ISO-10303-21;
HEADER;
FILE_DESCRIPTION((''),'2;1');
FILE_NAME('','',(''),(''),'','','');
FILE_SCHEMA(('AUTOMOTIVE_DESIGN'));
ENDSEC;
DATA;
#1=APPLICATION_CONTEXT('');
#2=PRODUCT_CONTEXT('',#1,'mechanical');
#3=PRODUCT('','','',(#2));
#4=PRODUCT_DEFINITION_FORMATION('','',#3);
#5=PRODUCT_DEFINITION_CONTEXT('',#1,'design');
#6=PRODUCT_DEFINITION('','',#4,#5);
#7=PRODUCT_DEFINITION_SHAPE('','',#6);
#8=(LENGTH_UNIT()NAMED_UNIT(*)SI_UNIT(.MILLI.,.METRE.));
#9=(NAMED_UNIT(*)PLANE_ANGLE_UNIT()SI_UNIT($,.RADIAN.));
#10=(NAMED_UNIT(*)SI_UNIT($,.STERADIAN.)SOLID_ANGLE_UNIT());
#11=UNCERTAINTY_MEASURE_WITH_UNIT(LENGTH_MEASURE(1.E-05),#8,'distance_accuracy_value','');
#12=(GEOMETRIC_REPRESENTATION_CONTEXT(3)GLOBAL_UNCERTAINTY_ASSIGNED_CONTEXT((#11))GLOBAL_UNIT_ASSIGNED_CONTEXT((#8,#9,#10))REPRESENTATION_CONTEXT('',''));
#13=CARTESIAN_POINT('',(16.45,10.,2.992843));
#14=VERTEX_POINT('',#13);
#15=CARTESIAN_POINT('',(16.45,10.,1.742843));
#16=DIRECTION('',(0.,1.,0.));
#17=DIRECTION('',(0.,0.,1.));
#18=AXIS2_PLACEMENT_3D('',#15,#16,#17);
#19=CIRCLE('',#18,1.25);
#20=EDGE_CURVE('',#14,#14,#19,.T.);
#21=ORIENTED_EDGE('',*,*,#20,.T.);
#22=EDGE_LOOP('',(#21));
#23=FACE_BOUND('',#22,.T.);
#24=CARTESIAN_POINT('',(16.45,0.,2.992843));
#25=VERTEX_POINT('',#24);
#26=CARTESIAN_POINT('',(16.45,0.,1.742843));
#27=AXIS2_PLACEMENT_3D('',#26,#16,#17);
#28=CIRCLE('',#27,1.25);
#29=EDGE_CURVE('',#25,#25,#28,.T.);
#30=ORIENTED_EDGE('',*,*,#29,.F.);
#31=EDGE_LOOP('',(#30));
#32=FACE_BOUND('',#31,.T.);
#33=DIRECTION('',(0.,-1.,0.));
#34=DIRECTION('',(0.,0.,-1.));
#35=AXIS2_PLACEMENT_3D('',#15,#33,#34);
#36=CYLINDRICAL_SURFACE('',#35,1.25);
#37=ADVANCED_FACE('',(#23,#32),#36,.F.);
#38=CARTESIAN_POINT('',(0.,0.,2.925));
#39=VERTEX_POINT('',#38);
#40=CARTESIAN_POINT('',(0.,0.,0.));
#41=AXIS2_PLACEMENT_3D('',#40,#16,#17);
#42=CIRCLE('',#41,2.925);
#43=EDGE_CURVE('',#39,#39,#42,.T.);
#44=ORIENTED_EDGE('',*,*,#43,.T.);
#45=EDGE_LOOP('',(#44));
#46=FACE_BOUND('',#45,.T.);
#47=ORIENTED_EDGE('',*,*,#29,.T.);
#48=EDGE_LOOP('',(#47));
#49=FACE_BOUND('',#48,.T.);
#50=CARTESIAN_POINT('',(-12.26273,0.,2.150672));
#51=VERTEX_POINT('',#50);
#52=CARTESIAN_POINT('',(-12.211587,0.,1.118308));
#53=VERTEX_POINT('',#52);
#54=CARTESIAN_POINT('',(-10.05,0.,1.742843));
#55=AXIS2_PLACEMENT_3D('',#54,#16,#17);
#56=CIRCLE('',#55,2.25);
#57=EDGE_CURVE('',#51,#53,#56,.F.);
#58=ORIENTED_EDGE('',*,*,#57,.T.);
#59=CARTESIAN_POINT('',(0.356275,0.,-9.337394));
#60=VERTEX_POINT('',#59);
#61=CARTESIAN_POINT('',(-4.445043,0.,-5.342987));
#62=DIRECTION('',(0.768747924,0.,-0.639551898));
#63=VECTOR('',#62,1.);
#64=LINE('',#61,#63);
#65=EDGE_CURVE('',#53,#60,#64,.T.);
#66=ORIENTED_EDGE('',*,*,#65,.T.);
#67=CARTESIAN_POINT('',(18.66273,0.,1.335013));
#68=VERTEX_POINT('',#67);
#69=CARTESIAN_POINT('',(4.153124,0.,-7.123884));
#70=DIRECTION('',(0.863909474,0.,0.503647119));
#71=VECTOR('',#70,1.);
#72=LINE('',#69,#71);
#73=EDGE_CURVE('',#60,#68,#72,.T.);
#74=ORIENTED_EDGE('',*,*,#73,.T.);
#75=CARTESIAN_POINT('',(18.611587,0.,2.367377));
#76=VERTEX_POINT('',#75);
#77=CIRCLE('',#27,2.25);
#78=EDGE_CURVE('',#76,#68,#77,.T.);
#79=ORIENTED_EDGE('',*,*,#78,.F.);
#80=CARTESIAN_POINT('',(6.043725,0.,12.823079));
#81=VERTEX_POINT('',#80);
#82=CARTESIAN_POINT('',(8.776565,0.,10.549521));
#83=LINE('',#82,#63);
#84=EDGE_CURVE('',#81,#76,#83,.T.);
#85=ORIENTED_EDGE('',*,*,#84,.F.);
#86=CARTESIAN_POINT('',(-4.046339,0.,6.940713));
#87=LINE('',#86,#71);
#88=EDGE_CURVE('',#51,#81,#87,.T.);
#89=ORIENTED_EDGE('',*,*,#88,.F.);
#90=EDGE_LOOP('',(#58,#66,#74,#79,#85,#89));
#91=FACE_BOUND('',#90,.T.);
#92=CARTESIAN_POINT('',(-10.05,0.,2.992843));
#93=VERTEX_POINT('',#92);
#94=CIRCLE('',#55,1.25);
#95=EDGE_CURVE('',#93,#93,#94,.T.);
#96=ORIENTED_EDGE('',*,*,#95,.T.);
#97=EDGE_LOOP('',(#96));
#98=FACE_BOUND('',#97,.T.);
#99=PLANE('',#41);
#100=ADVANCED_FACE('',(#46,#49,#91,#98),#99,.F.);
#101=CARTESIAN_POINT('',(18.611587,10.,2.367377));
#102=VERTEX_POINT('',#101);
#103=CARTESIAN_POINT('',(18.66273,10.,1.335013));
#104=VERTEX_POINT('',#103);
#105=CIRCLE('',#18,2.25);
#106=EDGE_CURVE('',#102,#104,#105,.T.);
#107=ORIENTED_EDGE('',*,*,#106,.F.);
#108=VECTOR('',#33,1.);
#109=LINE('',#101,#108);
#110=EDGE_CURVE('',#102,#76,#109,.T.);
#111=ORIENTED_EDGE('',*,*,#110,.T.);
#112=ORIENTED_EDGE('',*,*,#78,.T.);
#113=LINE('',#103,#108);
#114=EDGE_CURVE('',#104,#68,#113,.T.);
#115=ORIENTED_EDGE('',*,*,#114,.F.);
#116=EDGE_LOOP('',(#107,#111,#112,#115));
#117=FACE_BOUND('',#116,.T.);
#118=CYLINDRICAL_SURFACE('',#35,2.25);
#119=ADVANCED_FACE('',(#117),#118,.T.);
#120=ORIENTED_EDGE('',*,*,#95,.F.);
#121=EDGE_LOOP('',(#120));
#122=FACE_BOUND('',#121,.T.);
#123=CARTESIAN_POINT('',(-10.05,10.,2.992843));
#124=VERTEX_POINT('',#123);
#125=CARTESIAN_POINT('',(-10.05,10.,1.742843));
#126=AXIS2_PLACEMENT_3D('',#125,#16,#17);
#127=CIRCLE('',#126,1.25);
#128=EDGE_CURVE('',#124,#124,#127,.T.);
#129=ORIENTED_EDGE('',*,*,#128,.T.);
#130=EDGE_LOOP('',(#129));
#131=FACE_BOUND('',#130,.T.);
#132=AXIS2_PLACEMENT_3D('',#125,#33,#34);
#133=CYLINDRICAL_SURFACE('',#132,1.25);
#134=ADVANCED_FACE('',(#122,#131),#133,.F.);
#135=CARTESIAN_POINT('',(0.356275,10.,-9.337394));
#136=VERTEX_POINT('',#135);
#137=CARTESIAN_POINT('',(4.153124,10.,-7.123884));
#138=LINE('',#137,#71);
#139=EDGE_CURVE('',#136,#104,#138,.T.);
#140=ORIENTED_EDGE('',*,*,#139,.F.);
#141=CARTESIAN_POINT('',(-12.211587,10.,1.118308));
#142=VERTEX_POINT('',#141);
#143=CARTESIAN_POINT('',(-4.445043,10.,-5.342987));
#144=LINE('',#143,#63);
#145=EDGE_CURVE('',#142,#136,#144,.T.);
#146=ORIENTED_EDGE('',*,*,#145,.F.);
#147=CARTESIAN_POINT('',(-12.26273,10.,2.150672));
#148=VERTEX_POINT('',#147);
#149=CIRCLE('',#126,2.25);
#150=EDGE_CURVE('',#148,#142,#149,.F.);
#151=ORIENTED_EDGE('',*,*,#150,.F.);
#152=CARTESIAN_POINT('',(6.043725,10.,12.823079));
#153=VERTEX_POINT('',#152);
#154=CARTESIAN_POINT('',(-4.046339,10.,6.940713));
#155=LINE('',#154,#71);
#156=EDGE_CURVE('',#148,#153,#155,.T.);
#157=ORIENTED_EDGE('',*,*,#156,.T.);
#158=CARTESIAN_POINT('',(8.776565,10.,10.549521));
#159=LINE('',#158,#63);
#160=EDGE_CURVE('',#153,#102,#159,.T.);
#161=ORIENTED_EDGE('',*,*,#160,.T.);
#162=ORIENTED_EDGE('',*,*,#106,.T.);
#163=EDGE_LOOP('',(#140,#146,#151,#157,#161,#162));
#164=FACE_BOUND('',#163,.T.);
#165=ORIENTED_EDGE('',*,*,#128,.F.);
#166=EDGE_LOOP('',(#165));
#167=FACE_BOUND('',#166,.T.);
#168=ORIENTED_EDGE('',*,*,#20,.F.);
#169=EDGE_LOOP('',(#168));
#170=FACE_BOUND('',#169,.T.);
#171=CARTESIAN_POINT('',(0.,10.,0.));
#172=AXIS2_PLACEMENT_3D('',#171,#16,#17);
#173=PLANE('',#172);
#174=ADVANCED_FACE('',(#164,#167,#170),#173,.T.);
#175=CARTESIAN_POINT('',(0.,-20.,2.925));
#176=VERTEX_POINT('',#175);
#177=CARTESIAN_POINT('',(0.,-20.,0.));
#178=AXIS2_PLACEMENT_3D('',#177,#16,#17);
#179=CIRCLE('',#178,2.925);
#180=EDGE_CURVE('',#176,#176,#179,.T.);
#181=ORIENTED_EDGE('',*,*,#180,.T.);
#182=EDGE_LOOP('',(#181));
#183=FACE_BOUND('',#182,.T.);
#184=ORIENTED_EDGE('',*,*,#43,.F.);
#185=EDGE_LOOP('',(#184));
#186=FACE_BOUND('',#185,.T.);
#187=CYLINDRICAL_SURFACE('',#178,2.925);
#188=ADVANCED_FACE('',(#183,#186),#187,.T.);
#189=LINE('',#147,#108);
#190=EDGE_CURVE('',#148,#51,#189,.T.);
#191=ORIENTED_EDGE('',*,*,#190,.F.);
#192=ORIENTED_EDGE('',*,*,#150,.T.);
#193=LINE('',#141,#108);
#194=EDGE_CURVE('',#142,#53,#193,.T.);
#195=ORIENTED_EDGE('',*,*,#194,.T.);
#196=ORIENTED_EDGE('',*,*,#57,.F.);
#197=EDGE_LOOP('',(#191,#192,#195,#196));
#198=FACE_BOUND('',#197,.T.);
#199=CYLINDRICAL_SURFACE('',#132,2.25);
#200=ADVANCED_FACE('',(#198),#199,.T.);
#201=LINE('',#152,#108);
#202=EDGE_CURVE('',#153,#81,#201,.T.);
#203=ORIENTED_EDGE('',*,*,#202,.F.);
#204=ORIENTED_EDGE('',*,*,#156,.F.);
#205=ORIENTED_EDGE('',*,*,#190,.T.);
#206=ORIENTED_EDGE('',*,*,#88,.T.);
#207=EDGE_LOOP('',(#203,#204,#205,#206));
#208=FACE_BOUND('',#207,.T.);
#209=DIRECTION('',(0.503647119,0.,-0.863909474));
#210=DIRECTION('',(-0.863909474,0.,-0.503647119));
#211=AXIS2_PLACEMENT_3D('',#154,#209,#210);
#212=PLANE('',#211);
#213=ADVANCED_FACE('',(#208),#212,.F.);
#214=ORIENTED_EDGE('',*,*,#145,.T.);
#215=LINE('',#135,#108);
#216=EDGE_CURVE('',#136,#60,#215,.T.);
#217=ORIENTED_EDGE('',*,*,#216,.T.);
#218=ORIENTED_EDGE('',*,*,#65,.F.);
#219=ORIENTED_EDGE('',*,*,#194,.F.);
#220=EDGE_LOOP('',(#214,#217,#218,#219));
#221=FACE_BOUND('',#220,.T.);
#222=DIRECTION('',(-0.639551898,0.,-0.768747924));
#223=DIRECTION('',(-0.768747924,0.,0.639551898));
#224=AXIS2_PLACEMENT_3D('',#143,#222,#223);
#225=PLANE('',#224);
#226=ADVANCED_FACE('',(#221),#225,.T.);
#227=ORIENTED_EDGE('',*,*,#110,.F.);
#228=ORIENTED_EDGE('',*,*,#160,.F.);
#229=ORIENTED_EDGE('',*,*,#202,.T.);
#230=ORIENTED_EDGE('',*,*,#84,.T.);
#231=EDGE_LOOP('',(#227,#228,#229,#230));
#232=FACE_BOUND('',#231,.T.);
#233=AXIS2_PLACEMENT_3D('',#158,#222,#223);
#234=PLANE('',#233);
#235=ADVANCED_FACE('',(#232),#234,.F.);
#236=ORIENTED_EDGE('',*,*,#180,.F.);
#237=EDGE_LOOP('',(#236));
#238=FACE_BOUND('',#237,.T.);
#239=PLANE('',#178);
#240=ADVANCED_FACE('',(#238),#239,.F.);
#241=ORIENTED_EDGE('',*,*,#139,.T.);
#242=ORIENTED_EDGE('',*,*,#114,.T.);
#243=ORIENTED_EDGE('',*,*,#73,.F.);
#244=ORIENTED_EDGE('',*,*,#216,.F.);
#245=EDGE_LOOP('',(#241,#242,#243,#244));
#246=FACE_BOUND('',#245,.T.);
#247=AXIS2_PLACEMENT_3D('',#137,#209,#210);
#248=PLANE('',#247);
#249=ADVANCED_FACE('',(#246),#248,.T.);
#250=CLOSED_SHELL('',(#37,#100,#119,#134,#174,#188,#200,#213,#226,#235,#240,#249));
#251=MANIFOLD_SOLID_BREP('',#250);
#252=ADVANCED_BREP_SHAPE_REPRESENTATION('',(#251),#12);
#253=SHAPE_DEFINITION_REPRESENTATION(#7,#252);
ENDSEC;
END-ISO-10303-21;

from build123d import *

# Parameters (mm, degrees)
SKETCH1_R           = 1.25
BOSS_EXTRUDE1_DEPTH = 10
SKETCH1_3_R         = 2.925
BOSS_EXTRUDE2_DEPTH = 20


with BuildPart() as part:
    # Sketch1 → Boss-Extrude1 (new body)
    with BuildSketch(Plane(origin=(0, 0, 0), x_dir=(1, 0, 0), z_dir=(0, 1, 0))):
        with BuildLine():
            Line((0.356274676, 9.337394122), (-12.211586722, -1.118308403))
            ThreePointArc((-12.211586722, -1.118308403), (-12.29724406, -1.631513563), (-12.262730232, -2.150672028))
            Line((-12.262730232, -2.150672028), (6.043725324, -12.823079133))
            Line((6.043725324, -12.823079133), (18.611586722, -2.367376608))
            ThreePointArc((18.611586722, -2.367376608), (18.69724406, -1.854171449), (18.662730232, -1.335012984))
            Line((18.662730232, -1.335012984), (0.356274676, 9.337394122))
        make_face()
        with Locations((-10.05, -1.742842506)):
            Circle(SKETCH1_R, mode=Mode.SUBTRACT)
        with Locations((16.45, -1.742842506)):
            Circle(SKETCH1_R, mode=Mode.SUBTRACT)
    extrude(amount=BOSS_EXTRUDE1_DEPTH)

    # Sketch1<3> → Boss-Extrude2 (add)
    with BuildSketch(Plane(origin=(0, 0, 0), x_dir=(1, 0, 0), z_dir=(0, 1, 0))):
        Circle(SKETCH1_3_R)
    extrude(amount=-BOSS_EXTRUDE2_DEPTH)


solid = part.part
